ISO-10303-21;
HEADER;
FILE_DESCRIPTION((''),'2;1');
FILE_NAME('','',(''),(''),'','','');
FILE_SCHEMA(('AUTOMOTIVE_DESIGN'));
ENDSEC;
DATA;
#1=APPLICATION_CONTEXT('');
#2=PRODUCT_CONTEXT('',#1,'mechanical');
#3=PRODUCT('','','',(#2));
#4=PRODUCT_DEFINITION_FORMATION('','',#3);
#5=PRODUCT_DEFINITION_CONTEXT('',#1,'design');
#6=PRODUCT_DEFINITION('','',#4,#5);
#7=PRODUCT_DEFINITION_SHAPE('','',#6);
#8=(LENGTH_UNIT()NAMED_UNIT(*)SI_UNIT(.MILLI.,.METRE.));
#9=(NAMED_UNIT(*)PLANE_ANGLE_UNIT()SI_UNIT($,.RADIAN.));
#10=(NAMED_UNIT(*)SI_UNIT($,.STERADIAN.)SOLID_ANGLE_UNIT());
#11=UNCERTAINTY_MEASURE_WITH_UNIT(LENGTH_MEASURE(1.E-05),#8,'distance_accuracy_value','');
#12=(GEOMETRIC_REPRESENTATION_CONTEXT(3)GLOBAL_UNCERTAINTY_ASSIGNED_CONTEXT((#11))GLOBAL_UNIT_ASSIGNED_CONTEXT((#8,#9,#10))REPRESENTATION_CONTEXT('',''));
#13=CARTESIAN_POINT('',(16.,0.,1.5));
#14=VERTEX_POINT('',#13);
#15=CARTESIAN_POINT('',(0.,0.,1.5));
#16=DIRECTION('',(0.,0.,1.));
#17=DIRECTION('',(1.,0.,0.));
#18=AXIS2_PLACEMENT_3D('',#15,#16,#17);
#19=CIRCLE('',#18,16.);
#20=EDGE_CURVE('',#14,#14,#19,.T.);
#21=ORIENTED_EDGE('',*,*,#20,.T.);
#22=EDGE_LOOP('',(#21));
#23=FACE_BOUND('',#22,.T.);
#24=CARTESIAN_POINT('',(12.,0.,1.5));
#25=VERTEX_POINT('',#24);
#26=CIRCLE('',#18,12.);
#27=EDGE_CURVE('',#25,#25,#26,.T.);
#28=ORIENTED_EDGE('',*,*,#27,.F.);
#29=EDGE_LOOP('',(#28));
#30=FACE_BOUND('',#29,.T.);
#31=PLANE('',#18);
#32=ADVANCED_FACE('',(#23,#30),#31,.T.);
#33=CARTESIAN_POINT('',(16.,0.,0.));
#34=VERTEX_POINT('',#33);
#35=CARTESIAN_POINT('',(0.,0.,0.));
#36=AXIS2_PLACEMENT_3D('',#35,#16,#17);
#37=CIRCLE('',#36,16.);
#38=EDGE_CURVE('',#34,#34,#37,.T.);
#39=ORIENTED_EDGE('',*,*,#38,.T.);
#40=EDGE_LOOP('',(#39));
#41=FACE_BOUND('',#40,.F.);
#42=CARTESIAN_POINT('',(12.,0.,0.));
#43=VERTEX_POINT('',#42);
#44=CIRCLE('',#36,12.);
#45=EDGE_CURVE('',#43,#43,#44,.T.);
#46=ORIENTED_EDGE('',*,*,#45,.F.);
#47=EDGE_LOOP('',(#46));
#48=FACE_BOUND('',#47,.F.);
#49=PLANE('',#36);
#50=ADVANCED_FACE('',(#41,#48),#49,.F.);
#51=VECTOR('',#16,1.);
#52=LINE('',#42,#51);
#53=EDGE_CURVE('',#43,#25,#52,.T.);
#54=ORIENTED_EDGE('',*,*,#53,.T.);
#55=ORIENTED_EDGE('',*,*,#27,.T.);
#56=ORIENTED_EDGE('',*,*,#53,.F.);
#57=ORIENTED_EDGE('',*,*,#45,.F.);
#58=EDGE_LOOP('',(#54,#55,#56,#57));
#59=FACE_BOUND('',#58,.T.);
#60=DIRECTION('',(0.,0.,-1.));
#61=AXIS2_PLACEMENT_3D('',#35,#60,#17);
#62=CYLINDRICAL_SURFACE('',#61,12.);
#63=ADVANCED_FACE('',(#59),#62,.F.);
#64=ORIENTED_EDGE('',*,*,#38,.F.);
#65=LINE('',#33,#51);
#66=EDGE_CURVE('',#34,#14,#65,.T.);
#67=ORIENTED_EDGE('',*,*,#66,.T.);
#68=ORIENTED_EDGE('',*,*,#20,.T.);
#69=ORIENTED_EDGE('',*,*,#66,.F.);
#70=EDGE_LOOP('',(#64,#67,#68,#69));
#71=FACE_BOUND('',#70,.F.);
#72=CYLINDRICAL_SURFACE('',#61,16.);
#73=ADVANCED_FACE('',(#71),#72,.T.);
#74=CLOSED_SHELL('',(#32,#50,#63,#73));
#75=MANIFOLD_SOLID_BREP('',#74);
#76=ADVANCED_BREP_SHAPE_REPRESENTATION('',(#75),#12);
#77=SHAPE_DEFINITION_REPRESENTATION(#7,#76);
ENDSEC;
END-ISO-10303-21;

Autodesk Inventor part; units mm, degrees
ref_plane "YZ Plane" through (0, 0, 0) normal (1, 0, 0) x (0, 1, 0)
ref_plane "XZ Plane" through (0, 0, 0) normal (0, 1, 0) x (-1, 0, 0)
ref_plane "XY Plane" through (0, 0, 0) normal (0, 0, 1) x (1, 0, 0)
sketch "Sketch1" plane through (0, 0, 0) normal (0, 0, 1) x (1, 0, 0)
  circle A0 centre (0, 0) radius 12
  circle A1 centre (0, 0) radius 16
  dimension "d0" = 24
  dimension "d1" = 32
extrude "Extrusion1" add sketch "Sketch1" along normal blind 1.5
properties part number "AS5000-MR"
